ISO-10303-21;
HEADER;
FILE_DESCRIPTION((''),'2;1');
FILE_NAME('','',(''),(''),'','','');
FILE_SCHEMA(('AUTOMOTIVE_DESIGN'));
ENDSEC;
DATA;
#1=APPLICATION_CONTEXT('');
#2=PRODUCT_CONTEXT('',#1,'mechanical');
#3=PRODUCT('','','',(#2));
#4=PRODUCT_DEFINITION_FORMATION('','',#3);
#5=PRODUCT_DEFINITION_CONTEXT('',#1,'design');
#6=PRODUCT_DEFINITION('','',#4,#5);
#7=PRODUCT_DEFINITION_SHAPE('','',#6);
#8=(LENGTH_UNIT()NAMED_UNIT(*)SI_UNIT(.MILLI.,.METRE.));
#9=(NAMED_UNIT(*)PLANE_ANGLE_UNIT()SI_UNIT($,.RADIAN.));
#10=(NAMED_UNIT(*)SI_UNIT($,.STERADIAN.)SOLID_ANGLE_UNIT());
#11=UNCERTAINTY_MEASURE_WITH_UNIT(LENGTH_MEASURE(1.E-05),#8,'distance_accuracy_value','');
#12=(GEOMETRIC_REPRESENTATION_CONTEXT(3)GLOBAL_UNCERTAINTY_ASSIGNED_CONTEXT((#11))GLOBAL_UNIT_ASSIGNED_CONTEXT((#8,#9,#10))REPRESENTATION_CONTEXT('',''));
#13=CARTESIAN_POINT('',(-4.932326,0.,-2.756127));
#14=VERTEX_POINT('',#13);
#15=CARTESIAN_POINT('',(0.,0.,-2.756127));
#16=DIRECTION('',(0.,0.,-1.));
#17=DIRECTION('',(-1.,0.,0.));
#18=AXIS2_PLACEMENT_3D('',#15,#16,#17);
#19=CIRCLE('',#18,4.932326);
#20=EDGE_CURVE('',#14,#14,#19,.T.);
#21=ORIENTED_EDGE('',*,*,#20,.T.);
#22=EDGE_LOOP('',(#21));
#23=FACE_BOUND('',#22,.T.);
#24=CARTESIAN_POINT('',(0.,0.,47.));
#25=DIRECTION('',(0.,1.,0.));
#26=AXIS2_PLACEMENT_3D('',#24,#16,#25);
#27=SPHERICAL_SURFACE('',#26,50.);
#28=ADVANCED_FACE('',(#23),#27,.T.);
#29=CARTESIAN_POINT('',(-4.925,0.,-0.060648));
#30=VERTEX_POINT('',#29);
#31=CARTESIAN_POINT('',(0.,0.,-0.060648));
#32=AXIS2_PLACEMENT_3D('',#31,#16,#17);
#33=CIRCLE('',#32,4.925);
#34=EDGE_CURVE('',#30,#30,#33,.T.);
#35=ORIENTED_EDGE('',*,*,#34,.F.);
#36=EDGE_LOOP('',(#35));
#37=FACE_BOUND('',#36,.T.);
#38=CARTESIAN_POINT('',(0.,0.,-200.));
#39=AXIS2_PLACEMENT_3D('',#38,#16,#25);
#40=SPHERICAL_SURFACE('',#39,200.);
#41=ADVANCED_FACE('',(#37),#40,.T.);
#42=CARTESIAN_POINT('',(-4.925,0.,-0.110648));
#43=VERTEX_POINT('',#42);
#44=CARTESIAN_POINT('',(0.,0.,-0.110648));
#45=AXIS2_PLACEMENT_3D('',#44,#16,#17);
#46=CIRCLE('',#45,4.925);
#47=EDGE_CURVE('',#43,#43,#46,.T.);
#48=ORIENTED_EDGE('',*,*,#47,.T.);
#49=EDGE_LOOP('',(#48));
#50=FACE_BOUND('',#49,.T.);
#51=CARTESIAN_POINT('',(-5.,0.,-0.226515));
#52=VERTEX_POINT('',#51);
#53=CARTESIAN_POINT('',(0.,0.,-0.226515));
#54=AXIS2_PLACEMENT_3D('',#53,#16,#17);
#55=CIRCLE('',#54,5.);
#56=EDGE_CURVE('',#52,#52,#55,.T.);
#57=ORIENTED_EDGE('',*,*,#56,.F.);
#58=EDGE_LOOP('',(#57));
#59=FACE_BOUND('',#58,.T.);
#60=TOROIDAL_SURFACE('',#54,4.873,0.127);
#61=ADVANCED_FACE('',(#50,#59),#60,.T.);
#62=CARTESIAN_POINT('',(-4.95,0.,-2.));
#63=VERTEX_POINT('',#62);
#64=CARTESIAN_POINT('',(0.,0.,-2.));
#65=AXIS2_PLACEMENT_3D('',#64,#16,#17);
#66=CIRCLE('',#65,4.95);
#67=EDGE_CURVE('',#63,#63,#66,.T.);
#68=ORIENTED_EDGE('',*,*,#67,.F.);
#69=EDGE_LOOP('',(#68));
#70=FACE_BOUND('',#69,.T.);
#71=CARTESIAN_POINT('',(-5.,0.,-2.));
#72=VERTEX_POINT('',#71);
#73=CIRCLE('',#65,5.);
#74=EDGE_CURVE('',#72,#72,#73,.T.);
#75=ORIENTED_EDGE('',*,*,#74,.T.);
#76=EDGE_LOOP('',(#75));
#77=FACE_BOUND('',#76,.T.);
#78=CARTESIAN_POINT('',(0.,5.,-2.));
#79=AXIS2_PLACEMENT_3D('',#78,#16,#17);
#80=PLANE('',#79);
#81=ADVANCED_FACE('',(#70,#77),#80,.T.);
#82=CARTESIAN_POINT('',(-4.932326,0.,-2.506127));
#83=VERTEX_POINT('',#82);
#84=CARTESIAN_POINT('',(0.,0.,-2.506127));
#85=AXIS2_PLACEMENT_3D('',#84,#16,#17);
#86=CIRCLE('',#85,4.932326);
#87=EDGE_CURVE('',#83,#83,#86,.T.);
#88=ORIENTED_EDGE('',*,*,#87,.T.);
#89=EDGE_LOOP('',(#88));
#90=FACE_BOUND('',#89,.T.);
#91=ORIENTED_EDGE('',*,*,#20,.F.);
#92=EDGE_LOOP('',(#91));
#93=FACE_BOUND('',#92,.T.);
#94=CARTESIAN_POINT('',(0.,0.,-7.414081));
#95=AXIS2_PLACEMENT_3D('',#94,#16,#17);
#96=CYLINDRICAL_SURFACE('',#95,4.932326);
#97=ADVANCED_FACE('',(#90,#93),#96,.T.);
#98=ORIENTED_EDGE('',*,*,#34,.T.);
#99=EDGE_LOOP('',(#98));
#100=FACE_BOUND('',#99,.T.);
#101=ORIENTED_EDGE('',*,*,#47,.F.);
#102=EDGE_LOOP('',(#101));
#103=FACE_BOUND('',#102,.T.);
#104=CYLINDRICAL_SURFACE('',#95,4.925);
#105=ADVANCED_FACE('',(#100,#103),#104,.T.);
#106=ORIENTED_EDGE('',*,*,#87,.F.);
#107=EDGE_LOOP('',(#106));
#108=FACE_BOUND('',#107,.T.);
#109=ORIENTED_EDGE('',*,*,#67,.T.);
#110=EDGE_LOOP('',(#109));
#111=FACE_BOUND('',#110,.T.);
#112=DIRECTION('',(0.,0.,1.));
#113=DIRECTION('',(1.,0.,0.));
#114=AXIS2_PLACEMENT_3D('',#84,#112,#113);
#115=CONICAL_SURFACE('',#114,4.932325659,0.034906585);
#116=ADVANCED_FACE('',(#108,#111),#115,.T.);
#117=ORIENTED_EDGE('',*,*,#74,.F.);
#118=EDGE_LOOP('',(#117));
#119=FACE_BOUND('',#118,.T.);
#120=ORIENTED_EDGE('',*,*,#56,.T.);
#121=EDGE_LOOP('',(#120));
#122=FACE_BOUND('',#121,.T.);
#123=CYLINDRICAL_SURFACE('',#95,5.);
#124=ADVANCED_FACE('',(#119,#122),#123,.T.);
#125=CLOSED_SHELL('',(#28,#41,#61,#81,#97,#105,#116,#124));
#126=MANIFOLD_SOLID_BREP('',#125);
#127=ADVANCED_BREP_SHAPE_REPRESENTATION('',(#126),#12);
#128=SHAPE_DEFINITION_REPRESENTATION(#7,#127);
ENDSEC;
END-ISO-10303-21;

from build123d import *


with BuildPart() as part:
    # Sketch1 → Revolve1 (revolve)
    with BuildSketch(Plane(origin=(0, 0, 0), x_dir=(0, 0, -1), z_dir=(1, 0, 0)), mode=Mode.PRIVATE) as revolve1_sk:
        with BuildLine():
            Line((0, 0), (3, 0))
            ThreePointArc((3, 0), (2.938994507, 2.469175495), (2.756126895, 4.932325659))
            Line((2.756126895, 4.932325659), (2.506126895, 4.932325659))
            Line((2.506126895, 4.932325659), (2, 4.95))
            Line((2, 4.95), (2, 5))
            Line((2, 5), (0.22651456, 5))
            ThreePointArc((0.22651456, 5), (0.157503692, 4.979613789), (0.110648258, 4.925))
            Line((0.110648258, 4.925), (0.060648258, 4.925))
            ThreePointArc((0.060648258, 4.925), (0.015162639, 2.462686704), (0, 0))
        make_face()
    revolve(revolve1_sk.sketch.rotate(Axis((0, 0, -7.414080755), (0, 0, 1)), 90), axis=Axis((0, 0, -7.414080755), (0, 0, 1)))


solid = part.part
